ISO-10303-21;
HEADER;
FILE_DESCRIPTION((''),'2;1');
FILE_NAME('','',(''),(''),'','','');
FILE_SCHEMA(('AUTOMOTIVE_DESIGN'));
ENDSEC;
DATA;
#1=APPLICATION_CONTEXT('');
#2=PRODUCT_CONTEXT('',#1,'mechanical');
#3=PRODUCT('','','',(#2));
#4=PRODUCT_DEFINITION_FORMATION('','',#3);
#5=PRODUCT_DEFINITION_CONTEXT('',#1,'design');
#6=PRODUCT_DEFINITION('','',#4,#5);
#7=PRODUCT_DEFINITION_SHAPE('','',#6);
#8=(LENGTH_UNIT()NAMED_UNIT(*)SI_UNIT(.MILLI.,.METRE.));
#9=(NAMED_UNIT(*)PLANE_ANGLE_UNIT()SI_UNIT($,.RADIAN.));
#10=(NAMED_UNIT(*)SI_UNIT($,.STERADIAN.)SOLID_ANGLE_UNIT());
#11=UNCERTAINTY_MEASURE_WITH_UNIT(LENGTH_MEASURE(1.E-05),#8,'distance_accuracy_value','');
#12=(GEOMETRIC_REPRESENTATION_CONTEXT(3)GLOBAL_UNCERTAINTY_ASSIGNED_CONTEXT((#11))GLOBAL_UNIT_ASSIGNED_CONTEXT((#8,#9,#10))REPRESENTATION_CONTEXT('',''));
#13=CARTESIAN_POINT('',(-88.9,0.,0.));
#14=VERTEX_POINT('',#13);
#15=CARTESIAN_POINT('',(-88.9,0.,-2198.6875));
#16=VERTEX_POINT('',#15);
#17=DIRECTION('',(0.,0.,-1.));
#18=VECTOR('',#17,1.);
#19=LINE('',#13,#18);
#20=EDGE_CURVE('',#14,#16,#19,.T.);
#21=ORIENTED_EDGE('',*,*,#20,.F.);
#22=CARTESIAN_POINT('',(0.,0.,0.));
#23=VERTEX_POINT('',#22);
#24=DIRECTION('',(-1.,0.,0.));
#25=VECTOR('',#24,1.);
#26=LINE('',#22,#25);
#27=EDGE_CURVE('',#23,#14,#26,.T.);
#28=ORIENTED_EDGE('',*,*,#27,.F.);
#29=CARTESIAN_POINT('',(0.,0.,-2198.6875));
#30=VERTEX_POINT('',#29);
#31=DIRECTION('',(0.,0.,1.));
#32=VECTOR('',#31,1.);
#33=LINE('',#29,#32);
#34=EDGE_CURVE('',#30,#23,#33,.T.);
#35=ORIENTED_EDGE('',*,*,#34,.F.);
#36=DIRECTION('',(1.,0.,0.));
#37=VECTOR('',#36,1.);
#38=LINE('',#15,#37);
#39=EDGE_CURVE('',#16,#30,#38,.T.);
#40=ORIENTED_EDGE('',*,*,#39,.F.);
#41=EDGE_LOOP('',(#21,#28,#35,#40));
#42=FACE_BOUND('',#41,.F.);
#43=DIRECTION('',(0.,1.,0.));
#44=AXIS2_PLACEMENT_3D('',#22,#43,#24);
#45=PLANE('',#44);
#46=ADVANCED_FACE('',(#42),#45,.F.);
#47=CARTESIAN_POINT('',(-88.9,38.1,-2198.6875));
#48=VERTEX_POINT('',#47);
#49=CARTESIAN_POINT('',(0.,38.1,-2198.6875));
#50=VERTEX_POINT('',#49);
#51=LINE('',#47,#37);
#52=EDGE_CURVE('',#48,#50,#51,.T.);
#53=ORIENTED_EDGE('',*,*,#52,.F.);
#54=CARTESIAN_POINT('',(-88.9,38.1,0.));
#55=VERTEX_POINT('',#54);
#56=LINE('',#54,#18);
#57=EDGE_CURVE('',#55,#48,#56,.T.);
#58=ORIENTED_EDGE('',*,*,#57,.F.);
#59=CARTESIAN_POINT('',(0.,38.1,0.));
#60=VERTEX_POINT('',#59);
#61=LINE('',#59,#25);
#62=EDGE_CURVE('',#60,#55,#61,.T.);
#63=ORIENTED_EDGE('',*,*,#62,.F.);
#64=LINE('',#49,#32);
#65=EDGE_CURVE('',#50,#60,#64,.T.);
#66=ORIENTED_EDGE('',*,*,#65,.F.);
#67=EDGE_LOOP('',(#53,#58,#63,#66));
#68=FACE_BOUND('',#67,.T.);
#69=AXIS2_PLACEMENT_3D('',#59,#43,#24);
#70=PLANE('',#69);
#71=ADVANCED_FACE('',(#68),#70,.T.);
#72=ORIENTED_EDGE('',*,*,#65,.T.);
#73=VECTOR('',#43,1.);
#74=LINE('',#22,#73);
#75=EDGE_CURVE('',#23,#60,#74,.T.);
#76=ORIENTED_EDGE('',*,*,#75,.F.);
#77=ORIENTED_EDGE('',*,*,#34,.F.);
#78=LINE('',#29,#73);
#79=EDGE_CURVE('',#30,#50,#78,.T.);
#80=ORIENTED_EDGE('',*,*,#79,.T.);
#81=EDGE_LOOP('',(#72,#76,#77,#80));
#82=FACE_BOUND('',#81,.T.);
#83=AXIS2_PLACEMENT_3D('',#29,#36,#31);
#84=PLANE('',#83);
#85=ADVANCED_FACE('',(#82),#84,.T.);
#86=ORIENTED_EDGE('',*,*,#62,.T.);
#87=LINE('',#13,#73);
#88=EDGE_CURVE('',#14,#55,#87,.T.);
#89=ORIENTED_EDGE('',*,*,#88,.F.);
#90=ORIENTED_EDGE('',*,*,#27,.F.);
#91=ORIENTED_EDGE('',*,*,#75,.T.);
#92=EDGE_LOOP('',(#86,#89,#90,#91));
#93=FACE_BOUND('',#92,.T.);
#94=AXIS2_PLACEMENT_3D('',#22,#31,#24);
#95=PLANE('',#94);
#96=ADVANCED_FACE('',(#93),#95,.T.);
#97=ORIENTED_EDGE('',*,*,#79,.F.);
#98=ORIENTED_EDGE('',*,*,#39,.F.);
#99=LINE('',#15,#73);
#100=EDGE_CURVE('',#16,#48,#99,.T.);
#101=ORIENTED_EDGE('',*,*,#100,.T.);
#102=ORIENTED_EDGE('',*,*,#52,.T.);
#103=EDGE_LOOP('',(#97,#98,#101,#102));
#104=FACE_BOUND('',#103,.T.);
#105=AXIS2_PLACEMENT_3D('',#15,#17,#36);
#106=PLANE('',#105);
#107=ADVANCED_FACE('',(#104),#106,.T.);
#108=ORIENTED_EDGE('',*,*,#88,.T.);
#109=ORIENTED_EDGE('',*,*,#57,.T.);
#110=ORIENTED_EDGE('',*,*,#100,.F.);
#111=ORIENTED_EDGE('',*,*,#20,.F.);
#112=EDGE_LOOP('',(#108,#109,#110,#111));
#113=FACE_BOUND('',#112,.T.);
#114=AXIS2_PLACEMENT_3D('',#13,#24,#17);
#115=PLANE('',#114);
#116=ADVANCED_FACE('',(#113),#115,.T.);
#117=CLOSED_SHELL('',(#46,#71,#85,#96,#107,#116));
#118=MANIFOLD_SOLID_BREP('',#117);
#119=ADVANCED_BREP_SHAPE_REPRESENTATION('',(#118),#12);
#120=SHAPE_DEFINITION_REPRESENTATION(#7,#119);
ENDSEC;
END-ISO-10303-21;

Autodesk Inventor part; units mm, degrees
ref_plane "YZ Plane" through (0, 0, 0) normal (1, 0, 0) x (0, 1, 0)
ref_plane "XZ Plane" through (0, 0, 0) normal (0, 1, 0) x (-1, 0, 0)
ref_plane "XY Plane" through (0, 0, 0) normal (0, 0, 1) x (1, 0, 0)
sketch "Sketch1" plane through (0, 0, 0) normal (0, 1, 0) x (-1, 0, 0)
  line L0 (0, 0) -> (88.9, 0)
  line L1 (88.9, 0) -> (88.9, -2198.6875)
  line L2 (88.9, -2198.6875) -> (0, -2198.6875)
  line L3 (0, -2198.6875) -> (0, 0)
  dimension "d1" = 88.9
  dimension "d4" = 2198.6875
extrude "Extrusion1" add sketch "Sketch1" along normal blind 38.1
properties part number "Plate_With_Length_90.75_Inches" material "Wood (Birch)"
